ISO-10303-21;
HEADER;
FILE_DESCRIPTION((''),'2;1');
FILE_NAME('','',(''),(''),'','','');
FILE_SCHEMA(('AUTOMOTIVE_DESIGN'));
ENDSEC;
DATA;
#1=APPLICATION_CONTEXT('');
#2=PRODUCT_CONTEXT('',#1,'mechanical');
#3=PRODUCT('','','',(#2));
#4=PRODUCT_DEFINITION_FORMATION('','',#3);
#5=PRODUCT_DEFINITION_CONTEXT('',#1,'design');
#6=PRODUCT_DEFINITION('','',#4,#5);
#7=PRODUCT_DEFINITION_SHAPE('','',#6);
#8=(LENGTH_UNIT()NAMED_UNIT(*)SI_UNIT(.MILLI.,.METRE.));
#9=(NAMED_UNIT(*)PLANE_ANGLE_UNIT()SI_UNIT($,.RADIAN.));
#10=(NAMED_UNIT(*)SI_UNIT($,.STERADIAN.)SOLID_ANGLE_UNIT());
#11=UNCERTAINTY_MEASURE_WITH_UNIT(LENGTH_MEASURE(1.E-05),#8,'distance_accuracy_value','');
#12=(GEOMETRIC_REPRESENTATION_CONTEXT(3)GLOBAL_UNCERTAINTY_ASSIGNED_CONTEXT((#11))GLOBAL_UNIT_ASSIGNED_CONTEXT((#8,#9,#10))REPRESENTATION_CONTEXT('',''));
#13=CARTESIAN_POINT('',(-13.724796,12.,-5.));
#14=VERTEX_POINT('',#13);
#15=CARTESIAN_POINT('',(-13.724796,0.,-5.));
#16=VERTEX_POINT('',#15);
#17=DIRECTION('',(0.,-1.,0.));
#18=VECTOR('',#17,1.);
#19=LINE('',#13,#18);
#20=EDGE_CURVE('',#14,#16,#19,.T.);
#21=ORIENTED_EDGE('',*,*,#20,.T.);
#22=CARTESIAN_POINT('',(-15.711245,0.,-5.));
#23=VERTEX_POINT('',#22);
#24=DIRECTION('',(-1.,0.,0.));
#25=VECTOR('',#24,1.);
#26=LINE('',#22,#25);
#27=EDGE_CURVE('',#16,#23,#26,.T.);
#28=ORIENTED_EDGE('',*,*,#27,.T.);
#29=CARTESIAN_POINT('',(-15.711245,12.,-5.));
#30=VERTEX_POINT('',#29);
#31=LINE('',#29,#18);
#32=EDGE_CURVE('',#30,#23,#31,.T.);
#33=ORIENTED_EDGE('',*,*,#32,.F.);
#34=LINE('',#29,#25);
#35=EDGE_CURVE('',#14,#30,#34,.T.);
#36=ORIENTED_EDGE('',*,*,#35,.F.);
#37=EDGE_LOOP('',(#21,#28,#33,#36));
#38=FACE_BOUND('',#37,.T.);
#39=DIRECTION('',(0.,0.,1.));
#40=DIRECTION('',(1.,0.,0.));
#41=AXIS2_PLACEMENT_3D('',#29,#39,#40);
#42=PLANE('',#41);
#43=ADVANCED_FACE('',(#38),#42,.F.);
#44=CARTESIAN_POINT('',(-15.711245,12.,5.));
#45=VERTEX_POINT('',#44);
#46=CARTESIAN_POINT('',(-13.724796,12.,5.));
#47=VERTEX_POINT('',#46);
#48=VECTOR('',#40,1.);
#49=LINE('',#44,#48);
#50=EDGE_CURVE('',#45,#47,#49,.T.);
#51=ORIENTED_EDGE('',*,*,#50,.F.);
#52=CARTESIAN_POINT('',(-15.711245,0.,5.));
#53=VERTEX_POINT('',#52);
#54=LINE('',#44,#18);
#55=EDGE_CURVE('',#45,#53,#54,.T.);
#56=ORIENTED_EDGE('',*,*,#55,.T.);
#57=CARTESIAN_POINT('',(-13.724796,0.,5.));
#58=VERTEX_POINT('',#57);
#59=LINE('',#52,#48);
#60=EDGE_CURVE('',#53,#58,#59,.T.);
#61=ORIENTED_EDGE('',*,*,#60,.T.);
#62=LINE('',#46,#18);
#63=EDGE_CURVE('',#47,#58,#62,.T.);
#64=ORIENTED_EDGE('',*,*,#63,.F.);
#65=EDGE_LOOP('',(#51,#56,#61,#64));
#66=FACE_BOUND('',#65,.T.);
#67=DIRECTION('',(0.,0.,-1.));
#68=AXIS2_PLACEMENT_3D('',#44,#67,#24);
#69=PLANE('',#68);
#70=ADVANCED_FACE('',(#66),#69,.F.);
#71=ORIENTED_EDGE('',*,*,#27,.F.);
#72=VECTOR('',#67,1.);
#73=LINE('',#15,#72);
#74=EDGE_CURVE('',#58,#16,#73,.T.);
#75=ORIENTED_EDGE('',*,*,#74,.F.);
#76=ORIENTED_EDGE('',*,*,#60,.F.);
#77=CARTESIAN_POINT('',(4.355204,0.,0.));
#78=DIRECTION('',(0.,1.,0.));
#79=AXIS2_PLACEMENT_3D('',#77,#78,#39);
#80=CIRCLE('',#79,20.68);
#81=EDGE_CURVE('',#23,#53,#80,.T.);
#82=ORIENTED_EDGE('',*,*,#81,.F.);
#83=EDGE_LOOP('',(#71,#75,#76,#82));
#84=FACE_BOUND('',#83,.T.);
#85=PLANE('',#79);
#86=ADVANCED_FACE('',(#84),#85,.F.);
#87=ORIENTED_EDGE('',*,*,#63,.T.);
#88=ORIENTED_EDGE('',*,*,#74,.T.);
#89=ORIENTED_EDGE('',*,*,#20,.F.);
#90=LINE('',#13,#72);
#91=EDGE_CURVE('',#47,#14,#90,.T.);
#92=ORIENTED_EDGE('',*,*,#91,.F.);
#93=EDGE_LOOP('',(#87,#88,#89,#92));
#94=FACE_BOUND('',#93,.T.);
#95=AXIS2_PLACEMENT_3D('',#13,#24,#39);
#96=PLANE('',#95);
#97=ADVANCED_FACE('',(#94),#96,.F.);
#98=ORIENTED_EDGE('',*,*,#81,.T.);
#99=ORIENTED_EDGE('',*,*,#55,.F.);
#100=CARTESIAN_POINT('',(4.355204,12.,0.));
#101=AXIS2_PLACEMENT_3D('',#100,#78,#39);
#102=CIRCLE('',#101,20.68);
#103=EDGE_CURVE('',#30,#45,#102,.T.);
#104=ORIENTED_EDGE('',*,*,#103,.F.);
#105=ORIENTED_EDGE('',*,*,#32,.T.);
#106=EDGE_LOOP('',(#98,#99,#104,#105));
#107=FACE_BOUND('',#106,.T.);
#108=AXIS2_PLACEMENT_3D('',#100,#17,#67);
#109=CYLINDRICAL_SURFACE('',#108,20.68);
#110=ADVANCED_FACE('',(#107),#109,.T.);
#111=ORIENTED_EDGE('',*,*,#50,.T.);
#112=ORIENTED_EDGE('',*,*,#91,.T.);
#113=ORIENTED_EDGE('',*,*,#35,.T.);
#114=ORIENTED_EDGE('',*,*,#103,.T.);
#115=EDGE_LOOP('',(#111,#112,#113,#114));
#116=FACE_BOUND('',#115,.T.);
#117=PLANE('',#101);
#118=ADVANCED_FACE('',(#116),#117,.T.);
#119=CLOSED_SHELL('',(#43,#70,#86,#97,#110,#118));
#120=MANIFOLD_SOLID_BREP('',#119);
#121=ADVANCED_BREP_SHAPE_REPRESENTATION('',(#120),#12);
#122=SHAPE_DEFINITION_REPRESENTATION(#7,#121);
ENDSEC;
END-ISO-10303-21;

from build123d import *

# Parameters (mm, degrees)
EXTRUDE_1_DEPTH = 12


with BuildPart() as part:
    # 草图1 → 凸台-拉伸1 (new body)
    with BuildSketch(Plane(origin=(0, 0, 0), x_dir=(1, 0, 0), z_dir=(0, 1, 0))):
        with BuildLine():
            Line((-15.711245276, 5), (-13.724795665, 5))
            Line((-13.724795665, 5), (-13.724795665, -5))
            Line((-13.724795665, -5), (-15.711245276, -5))
            ThreePointArc((-15.711245276, -5), (-16.324795665, 0), (-15.711245276, 5))
        make_face()
    extrude(amount=EXTRUDE_1_DEPTH)


solid = part.part
